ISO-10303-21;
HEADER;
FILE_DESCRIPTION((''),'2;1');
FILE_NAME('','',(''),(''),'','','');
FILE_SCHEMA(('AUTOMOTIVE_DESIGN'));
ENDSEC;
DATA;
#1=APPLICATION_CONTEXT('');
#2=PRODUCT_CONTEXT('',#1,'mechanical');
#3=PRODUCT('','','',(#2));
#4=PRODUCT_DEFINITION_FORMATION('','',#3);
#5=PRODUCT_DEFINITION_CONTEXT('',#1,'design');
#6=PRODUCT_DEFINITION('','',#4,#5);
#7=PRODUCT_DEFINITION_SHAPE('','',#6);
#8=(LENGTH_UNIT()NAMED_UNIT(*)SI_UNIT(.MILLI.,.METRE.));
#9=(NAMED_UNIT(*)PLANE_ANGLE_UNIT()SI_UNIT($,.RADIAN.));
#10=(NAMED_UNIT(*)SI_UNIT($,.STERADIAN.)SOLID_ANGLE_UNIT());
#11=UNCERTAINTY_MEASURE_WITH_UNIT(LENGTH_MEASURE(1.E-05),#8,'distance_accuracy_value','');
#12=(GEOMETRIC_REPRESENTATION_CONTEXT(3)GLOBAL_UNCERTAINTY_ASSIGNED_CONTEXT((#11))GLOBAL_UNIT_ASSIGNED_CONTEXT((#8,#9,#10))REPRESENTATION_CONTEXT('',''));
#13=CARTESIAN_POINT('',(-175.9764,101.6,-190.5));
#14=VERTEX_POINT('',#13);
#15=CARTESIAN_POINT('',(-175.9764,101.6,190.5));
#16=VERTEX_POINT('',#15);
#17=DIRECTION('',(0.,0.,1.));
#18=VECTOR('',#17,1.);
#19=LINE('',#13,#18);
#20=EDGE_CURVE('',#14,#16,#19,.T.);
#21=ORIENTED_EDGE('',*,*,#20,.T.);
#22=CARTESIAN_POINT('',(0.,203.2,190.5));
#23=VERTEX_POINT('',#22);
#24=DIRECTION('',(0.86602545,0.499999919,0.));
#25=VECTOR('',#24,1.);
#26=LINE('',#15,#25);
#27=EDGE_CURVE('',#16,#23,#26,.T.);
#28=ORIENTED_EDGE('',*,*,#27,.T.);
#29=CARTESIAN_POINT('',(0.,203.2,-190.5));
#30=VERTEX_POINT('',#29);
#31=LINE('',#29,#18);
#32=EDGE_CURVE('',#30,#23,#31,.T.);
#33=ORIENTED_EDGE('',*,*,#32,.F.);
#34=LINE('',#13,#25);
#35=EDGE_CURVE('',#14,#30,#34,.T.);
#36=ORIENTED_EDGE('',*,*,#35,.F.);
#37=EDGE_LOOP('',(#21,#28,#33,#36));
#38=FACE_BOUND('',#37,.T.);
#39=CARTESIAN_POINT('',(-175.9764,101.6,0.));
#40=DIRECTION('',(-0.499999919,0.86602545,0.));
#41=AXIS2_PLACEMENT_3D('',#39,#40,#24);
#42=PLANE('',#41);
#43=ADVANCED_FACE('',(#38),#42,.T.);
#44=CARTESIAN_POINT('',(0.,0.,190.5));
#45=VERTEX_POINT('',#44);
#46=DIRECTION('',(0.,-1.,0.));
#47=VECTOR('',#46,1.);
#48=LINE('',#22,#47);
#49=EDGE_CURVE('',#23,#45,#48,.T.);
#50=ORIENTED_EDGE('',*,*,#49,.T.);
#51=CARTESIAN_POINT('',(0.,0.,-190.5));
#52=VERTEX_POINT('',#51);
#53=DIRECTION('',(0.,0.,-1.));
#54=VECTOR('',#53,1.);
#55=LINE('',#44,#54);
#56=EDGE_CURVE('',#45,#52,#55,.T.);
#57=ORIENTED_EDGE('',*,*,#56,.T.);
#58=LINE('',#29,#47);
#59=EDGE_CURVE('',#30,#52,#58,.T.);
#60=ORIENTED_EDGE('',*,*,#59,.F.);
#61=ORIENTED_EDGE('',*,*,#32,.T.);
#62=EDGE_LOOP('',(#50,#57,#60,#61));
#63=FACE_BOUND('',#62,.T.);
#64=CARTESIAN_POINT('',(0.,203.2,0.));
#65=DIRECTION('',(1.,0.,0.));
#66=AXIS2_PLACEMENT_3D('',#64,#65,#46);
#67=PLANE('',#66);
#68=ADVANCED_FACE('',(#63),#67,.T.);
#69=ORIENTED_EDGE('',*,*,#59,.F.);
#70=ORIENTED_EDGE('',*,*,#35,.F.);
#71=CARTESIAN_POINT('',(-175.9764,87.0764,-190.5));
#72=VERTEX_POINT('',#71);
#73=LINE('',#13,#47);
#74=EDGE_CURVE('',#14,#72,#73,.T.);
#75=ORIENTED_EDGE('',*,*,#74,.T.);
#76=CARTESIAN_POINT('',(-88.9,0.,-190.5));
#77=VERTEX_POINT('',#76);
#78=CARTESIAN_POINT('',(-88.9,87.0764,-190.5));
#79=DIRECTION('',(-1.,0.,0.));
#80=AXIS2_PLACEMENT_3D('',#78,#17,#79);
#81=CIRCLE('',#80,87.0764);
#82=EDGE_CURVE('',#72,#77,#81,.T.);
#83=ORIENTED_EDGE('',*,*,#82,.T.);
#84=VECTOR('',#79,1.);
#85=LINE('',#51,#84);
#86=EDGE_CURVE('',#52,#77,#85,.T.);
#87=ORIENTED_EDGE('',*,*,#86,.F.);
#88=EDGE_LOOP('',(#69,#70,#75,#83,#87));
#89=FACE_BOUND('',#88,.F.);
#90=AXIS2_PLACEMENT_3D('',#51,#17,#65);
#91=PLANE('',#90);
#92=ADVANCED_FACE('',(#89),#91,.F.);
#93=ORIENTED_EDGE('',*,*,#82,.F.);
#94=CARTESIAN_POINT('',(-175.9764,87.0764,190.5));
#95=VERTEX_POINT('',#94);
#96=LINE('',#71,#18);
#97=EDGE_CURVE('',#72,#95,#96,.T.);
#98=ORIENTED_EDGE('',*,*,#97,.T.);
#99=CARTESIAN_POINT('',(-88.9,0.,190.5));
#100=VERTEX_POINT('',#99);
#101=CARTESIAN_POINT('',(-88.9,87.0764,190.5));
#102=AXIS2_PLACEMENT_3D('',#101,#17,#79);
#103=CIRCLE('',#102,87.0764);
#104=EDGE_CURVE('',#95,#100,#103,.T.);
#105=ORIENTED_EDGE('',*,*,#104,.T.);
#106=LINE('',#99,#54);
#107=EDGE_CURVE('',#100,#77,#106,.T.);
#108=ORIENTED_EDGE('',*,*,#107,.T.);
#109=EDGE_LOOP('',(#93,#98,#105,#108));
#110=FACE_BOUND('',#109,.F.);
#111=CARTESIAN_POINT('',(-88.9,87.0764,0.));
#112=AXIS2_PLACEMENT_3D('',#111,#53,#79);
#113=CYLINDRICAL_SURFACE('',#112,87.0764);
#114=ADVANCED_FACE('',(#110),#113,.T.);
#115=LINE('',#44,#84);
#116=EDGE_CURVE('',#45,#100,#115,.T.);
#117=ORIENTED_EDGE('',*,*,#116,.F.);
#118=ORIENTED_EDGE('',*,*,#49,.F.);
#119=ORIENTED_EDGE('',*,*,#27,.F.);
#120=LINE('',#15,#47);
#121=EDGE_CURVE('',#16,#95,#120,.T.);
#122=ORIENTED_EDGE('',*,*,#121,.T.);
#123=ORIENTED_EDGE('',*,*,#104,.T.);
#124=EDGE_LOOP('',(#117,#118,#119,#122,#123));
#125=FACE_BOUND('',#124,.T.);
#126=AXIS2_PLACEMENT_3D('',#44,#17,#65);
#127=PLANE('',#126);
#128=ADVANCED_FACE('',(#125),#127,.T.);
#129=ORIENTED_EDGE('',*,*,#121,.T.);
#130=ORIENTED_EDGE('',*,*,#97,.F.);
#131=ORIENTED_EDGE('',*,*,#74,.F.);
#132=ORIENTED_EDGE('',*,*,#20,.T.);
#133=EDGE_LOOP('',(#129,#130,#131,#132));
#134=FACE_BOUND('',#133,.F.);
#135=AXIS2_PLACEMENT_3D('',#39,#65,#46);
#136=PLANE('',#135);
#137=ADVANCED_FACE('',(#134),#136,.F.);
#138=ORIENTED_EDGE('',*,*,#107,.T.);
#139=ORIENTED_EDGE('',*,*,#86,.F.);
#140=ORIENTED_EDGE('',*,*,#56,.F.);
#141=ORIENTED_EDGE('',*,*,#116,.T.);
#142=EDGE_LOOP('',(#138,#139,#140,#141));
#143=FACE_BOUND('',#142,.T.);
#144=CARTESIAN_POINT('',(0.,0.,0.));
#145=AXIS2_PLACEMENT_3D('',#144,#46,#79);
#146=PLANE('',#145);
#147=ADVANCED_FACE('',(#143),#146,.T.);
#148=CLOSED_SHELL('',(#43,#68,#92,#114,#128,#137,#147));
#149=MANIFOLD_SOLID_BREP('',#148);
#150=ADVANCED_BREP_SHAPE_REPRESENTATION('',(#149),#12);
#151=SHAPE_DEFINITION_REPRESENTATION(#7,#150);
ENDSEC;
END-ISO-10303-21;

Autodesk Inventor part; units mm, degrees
ref_plane "YZ Plane" through (0, 0, 0) normal (1, 0, 0) x (0, 1, 0)
ref_plane "XZ Plane" through (0, 0, 0) normal (0, 1, 0) x (-1, 0, 0)
ref_plane "XY Plane" through (0, 0, 0) normal (0, 0, 1) x (1, 0, 0)
sketch "Sketch1" plane through (0, 0, 0) normal (0, 0, 1) x (1, 0, 0)
  line L0 (0, 203.2) -> (0, 0)
  line L1 (0, 0) -> (-88.9, 0)
  line L2 (-175.9764, 101.6) -> (-175.9764, 87.0764)
  arc A0 (-175.9764, 87.0764) -> (-88.9, 0) centre (-88.9, 87.0764) ccw
  line L3 (-175.9764, 101.6) -> (0, 203.2)
  line L4 (0, -62.2809) -> (0, 247.4468) projected
  dimension "d1" = 203.2
  dimension "d2" = 60
  dimension "d3" = 203.2
  dimension "d4" = 88.9
extrude "Extrusion1" add sketch "Sketch1" along normal mid plane 381
properties part number "DMJ_Waist"
